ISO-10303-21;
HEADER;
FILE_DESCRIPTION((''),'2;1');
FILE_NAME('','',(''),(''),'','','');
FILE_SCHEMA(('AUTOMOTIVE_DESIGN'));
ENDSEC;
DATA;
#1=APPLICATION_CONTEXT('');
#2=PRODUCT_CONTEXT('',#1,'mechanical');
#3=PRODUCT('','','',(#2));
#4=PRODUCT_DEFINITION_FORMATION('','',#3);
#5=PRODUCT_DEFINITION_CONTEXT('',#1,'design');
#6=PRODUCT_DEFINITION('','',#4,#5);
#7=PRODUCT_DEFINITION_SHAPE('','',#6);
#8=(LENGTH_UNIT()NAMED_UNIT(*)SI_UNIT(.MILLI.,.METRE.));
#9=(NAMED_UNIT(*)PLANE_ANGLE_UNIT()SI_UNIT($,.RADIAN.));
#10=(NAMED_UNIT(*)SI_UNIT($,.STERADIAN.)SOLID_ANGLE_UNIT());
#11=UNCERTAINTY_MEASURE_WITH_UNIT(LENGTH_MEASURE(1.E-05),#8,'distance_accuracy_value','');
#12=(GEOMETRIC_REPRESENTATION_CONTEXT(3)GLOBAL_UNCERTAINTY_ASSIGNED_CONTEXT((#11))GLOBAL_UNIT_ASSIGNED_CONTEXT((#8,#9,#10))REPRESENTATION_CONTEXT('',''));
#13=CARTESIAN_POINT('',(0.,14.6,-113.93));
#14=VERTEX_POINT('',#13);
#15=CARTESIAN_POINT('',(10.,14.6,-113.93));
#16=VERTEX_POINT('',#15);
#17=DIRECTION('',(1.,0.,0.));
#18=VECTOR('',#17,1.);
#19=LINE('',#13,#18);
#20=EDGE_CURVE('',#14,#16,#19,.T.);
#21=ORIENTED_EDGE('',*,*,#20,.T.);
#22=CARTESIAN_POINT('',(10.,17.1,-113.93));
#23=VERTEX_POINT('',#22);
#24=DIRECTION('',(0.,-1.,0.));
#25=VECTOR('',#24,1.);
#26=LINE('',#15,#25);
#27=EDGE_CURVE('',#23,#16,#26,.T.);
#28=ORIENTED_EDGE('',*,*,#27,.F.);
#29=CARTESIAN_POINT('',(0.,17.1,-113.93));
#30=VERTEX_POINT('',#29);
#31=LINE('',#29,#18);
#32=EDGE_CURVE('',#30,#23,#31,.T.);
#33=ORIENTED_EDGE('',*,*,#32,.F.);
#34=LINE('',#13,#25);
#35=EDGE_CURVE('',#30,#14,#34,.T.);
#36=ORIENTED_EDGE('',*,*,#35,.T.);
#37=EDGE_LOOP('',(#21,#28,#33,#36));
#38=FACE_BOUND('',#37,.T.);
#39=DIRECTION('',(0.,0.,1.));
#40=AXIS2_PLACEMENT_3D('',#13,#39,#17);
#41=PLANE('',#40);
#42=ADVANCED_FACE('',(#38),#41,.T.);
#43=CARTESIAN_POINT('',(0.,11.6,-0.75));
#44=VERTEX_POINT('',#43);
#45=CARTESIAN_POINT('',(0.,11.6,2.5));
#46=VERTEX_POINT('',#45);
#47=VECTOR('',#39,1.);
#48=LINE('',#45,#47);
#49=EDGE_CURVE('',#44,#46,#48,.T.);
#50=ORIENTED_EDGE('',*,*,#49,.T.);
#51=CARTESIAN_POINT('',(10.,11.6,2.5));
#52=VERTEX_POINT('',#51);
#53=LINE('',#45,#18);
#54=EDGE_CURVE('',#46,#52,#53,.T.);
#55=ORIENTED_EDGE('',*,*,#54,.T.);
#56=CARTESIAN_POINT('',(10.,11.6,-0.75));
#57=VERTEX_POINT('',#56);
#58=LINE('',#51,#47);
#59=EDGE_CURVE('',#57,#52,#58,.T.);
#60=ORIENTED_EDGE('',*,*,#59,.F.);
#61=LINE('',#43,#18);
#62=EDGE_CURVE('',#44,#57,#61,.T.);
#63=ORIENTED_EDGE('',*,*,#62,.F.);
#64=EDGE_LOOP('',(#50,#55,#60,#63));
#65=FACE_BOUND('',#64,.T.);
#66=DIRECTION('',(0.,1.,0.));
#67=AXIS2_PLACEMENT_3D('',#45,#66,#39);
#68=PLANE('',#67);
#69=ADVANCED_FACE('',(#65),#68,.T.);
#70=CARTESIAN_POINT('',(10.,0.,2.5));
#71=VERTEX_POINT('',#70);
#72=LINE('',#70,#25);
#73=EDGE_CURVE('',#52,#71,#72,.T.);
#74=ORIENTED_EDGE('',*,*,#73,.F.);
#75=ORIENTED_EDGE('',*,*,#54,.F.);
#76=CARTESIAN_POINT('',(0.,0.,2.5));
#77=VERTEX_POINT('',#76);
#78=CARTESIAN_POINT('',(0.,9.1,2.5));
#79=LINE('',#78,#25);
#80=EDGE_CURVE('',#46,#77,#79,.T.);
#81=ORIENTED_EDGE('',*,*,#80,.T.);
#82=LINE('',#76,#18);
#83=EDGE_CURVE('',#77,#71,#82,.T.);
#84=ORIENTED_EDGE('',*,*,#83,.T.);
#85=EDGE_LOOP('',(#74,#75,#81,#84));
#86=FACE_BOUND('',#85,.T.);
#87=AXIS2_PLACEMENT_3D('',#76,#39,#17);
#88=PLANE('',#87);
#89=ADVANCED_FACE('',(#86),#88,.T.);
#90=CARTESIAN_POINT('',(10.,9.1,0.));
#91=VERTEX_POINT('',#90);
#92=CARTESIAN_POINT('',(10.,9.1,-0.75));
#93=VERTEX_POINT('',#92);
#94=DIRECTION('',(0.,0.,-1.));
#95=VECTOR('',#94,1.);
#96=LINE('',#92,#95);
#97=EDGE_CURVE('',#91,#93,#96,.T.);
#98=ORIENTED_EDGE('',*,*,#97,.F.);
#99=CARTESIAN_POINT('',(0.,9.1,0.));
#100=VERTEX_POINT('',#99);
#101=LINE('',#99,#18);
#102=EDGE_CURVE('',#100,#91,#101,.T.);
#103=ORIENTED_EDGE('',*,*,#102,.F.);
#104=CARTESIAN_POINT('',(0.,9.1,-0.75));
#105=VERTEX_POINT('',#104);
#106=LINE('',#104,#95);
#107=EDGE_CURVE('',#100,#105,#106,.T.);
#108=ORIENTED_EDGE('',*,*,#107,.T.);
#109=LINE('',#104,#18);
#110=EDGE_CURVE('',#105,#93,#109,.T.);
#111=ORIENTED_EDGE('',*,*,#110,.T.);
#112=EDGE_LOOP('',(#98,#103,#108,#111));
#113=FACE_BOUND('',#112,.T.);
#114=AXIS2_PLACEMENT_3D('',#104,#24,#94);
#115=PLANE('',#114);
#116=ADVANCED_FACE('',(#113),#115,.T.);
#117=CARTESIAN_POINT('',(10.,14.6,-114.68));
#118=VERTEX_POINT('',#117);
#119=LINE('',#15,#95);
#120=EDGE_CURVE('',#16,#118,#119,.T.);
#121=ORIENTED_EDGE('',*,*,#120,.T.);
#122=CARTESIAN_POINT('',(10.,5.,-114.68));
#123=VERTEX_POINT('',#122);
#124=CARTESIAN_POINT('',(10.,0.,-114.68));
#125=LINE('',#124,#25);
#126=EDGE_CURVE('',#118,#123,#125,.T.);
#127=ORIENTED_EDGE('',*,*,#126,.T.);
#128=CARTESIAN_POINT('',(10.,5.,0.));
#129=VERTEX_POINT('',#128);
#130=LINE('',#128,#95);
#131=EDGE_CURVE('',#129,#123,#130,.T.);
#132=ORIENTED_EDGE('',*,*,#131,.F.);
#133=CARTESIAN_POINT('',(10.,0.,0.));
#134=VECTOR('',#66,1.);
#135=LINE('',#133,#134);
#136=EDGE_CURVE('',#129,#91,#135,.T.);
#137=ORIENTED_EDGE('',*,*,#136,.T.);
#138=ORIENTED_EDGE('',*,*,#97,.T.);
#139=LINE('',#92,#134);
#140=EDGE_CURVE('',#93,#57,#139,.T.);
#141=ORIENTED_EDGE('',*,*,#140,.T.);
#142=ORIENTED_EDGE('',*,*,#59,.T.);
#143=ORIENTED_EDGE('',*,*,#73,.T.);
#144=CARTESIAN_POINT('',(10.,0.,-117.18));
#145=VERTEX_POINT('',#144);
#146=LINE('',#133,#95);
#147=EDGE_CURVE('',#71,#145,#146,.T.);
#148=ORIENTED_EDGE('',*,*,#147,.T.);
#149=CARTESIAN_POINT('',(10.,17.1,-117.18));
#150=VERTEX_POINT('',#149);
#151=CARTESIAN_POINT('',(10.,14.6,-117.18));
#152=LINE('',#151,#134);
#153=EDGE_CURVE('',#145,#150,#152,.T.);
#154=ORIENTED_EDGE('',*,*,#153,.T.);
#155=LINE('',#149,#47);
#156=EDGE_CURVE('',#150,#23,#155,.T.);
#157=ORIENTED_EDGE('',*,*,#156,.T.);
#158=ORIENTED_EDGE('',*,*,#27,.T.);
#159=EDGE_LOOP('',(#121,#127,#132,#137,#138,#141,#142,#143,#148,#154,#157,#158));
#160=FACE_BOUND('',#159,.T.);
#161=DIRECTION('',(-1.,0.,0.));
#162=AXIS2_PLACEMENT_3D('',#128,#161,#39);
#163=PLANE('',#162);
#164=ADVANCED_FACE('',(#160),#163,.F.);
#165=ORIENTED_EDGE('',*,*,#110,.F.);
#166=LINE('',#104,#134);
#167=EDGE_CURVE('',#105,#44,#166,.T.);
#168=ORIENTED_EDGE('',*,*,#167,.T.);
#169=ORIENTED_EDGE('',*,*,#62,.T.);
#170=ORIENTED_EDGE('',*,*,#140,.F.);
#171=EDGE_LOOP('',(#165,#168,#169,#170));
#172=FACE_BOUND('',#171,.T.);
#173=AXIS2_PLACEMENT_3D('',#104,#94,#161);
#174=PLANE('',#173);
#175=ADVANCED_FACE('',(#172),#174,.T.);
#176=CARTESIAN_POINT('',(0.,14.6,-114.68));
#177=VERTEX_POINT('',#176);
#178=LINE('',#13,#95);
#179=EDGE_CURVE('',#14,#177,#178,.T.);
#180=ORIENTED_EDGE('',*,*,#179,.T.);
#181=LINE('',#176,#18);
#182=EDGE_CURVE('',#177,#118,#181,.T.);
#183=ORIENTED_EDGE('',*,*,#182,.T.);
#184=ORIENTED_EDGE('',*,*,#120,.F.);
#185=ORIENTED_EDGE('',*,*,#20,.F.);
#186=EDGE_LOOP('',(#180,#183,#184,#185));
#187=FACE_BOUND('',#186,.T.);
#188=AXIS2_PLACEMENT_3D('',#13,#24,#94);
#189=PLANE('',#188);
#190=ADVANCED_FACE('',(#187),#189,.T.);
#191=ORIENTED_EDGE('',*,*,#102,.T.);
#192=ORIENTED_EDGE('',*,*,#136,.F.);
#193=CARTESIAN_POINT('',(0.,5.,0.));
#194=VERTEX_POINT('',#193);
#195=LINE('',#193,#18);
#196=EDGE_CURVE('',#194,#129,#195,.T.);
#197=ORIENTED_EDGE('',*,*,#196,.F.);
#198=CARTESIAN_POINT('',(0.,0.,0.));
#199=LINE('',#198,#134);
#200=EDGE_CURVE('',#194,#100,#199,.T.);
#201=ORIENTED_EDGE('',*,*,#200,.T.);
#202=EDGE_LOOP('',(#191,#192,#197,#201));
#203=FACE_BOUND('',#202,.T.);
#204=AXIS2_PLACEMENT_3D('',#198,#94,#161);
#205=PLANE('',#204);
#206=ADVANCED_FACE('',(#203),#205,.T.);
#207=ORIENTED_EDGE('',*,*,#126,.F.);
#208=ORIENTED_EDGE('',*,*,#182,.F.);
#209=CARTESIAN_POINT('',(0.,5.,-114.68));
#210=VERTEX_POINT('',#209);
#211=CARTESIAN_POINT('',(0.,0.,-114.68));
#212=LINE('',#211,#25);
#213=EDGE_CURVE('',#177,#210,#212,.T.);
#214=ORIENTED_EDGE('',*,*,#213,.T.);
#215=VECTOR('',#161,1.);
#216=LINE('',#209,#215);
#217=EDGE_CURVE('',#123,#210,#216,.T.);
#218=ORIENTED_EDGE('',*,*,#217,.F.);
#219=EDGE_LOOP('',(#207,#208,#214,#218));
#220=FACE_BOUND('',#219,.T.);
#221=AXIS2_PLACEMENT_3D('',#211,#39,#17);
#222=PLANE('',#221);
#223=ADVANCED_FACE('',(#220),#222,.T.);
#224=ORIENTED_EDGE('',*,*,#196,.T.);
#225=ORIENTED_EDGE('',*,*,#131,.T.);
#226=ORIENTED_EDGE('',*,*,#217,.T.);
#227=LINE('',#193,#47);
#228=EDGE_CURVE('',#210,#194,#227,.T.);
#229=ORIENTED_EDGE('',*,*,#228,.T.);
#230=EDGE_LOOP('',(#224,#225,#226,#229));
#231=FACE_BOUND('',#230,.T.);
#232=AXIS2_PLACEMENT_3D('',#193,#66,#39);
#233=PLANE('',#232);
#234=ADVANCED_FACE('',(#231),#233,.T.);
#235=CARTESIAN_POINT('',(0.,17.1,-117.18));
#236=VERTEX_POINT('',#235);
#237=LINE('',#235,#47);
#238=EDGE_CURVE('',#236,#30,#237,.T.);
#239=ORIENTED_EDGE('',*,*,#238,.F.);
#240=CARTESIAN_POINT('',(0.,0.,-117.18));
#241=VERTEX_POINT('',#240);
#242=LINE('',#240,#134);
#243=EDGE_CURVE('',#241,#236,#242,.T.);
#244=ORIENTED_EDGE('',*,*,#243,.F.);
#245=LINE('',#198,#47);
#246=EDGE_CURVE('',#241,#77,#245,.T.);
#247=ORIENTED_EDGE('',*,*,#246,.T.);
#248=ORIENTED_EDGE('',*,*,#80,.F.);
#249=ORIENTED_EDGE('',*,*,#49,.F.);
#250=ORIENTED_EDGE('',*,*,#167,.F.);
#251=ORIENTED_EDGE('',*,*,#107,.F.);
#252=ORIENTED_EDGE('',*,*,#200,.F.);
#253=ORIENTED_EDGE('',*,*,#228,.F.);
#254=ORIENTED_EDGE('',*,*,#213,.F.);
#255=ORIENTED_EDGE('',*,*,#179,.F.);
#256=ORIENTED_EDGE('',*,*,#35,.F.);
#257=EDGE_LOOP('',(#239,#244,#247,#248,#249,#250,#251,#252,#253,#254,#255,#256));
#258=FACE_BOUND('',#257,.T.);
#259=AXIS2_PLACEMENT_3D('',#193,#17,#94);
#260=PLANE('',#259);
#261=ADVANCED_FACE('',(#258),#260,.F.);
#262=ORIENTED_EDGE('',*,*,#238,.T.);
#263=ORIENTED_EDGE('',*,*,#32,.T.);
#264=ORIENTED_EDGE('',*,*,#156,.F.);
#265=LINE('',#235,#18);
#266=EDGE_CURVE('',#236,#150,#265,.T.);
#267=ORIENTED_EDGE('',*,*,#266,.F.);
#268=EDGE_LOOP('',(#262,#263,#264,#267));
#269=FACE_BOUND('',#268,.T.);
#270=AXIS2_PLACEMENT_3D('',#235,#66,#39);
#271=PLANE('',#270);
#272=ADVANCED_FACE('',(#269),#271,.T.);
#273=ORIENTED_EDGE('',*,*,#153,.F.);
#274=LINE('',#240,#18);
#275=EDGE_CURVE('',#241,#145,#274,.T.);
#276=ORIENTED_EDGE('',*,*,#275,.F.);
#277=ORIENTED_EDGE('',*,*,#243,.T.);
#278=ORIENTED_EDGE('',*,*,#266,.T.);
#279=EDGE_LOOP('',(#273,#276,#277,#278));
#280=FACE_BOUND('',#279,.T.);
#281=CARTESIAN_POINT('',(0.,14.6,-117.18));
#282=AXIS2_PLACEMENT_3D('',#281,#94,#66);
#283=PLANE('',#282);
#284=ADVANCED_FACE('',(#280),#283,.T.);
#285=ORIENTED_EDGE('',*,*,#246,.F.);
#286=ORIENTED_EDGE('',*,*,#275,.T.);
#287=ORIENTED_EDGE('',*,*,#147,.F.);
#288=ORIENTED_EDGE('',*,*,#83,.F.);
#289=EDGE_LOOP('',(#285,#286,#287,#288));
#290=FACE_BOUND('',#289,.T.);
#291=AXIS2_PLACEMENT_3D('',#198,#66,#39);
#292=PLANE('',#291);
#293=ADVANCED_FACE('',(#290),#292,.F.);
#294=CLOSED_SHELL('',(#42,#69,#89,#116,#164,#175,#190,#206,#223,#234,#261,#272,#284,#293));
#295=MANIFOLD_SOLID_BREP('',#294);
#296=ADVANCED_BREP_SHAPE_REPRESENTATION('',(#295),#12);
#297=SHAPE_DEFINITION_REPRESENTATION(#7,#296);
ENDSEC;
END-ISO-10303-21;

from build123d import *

# Parameters (mm, degrees)
SKETCH1_W           = 10
SKETCH1_H           = 114.68
BOSS_EXTRUDE1_DEPTH = 5
BOSS_EXTRUDE2_DEPTH = 10


with BuildPart() as part:
    # Sketch1 → Boss-Extrude1 (new body)
    with BuildSketch(Plane(origin=(0, 0, 0), x_dir=(1, 0, 0), z_dir=(0, 1, 0))):
        with Locations((5, 57.34)):
            Rectangle(SKETCH1_W, SKETCH1_H)
    extrude(amount=BOSS_EXTRUDE1_DEPTH)

    # Sketch3 → Boss-Extrude2 (add, through all)
    with BuildSketch(Plane(origin=(10, 0, 0), x_dir=(0, 0, -1), z_dir=(1, 0, 0))):
        Polygon((0.75, 9.1), (0, 9.1), (0, 0), (-2.5, 0), (-2.5, 9.1), (-2.5, 11.6), (0.75, 11.6), align=None)
        Polygon((114.68, 0), (117.18, 0), (117.18, 14.6), (117.18, 17.1), (113.93, 17.1), (113.93, 14.6), (114.68, 14.6), align=None)
    extrude(amount=-BOSS_EXTRUDE2_DEPTH)


solid = part.part
